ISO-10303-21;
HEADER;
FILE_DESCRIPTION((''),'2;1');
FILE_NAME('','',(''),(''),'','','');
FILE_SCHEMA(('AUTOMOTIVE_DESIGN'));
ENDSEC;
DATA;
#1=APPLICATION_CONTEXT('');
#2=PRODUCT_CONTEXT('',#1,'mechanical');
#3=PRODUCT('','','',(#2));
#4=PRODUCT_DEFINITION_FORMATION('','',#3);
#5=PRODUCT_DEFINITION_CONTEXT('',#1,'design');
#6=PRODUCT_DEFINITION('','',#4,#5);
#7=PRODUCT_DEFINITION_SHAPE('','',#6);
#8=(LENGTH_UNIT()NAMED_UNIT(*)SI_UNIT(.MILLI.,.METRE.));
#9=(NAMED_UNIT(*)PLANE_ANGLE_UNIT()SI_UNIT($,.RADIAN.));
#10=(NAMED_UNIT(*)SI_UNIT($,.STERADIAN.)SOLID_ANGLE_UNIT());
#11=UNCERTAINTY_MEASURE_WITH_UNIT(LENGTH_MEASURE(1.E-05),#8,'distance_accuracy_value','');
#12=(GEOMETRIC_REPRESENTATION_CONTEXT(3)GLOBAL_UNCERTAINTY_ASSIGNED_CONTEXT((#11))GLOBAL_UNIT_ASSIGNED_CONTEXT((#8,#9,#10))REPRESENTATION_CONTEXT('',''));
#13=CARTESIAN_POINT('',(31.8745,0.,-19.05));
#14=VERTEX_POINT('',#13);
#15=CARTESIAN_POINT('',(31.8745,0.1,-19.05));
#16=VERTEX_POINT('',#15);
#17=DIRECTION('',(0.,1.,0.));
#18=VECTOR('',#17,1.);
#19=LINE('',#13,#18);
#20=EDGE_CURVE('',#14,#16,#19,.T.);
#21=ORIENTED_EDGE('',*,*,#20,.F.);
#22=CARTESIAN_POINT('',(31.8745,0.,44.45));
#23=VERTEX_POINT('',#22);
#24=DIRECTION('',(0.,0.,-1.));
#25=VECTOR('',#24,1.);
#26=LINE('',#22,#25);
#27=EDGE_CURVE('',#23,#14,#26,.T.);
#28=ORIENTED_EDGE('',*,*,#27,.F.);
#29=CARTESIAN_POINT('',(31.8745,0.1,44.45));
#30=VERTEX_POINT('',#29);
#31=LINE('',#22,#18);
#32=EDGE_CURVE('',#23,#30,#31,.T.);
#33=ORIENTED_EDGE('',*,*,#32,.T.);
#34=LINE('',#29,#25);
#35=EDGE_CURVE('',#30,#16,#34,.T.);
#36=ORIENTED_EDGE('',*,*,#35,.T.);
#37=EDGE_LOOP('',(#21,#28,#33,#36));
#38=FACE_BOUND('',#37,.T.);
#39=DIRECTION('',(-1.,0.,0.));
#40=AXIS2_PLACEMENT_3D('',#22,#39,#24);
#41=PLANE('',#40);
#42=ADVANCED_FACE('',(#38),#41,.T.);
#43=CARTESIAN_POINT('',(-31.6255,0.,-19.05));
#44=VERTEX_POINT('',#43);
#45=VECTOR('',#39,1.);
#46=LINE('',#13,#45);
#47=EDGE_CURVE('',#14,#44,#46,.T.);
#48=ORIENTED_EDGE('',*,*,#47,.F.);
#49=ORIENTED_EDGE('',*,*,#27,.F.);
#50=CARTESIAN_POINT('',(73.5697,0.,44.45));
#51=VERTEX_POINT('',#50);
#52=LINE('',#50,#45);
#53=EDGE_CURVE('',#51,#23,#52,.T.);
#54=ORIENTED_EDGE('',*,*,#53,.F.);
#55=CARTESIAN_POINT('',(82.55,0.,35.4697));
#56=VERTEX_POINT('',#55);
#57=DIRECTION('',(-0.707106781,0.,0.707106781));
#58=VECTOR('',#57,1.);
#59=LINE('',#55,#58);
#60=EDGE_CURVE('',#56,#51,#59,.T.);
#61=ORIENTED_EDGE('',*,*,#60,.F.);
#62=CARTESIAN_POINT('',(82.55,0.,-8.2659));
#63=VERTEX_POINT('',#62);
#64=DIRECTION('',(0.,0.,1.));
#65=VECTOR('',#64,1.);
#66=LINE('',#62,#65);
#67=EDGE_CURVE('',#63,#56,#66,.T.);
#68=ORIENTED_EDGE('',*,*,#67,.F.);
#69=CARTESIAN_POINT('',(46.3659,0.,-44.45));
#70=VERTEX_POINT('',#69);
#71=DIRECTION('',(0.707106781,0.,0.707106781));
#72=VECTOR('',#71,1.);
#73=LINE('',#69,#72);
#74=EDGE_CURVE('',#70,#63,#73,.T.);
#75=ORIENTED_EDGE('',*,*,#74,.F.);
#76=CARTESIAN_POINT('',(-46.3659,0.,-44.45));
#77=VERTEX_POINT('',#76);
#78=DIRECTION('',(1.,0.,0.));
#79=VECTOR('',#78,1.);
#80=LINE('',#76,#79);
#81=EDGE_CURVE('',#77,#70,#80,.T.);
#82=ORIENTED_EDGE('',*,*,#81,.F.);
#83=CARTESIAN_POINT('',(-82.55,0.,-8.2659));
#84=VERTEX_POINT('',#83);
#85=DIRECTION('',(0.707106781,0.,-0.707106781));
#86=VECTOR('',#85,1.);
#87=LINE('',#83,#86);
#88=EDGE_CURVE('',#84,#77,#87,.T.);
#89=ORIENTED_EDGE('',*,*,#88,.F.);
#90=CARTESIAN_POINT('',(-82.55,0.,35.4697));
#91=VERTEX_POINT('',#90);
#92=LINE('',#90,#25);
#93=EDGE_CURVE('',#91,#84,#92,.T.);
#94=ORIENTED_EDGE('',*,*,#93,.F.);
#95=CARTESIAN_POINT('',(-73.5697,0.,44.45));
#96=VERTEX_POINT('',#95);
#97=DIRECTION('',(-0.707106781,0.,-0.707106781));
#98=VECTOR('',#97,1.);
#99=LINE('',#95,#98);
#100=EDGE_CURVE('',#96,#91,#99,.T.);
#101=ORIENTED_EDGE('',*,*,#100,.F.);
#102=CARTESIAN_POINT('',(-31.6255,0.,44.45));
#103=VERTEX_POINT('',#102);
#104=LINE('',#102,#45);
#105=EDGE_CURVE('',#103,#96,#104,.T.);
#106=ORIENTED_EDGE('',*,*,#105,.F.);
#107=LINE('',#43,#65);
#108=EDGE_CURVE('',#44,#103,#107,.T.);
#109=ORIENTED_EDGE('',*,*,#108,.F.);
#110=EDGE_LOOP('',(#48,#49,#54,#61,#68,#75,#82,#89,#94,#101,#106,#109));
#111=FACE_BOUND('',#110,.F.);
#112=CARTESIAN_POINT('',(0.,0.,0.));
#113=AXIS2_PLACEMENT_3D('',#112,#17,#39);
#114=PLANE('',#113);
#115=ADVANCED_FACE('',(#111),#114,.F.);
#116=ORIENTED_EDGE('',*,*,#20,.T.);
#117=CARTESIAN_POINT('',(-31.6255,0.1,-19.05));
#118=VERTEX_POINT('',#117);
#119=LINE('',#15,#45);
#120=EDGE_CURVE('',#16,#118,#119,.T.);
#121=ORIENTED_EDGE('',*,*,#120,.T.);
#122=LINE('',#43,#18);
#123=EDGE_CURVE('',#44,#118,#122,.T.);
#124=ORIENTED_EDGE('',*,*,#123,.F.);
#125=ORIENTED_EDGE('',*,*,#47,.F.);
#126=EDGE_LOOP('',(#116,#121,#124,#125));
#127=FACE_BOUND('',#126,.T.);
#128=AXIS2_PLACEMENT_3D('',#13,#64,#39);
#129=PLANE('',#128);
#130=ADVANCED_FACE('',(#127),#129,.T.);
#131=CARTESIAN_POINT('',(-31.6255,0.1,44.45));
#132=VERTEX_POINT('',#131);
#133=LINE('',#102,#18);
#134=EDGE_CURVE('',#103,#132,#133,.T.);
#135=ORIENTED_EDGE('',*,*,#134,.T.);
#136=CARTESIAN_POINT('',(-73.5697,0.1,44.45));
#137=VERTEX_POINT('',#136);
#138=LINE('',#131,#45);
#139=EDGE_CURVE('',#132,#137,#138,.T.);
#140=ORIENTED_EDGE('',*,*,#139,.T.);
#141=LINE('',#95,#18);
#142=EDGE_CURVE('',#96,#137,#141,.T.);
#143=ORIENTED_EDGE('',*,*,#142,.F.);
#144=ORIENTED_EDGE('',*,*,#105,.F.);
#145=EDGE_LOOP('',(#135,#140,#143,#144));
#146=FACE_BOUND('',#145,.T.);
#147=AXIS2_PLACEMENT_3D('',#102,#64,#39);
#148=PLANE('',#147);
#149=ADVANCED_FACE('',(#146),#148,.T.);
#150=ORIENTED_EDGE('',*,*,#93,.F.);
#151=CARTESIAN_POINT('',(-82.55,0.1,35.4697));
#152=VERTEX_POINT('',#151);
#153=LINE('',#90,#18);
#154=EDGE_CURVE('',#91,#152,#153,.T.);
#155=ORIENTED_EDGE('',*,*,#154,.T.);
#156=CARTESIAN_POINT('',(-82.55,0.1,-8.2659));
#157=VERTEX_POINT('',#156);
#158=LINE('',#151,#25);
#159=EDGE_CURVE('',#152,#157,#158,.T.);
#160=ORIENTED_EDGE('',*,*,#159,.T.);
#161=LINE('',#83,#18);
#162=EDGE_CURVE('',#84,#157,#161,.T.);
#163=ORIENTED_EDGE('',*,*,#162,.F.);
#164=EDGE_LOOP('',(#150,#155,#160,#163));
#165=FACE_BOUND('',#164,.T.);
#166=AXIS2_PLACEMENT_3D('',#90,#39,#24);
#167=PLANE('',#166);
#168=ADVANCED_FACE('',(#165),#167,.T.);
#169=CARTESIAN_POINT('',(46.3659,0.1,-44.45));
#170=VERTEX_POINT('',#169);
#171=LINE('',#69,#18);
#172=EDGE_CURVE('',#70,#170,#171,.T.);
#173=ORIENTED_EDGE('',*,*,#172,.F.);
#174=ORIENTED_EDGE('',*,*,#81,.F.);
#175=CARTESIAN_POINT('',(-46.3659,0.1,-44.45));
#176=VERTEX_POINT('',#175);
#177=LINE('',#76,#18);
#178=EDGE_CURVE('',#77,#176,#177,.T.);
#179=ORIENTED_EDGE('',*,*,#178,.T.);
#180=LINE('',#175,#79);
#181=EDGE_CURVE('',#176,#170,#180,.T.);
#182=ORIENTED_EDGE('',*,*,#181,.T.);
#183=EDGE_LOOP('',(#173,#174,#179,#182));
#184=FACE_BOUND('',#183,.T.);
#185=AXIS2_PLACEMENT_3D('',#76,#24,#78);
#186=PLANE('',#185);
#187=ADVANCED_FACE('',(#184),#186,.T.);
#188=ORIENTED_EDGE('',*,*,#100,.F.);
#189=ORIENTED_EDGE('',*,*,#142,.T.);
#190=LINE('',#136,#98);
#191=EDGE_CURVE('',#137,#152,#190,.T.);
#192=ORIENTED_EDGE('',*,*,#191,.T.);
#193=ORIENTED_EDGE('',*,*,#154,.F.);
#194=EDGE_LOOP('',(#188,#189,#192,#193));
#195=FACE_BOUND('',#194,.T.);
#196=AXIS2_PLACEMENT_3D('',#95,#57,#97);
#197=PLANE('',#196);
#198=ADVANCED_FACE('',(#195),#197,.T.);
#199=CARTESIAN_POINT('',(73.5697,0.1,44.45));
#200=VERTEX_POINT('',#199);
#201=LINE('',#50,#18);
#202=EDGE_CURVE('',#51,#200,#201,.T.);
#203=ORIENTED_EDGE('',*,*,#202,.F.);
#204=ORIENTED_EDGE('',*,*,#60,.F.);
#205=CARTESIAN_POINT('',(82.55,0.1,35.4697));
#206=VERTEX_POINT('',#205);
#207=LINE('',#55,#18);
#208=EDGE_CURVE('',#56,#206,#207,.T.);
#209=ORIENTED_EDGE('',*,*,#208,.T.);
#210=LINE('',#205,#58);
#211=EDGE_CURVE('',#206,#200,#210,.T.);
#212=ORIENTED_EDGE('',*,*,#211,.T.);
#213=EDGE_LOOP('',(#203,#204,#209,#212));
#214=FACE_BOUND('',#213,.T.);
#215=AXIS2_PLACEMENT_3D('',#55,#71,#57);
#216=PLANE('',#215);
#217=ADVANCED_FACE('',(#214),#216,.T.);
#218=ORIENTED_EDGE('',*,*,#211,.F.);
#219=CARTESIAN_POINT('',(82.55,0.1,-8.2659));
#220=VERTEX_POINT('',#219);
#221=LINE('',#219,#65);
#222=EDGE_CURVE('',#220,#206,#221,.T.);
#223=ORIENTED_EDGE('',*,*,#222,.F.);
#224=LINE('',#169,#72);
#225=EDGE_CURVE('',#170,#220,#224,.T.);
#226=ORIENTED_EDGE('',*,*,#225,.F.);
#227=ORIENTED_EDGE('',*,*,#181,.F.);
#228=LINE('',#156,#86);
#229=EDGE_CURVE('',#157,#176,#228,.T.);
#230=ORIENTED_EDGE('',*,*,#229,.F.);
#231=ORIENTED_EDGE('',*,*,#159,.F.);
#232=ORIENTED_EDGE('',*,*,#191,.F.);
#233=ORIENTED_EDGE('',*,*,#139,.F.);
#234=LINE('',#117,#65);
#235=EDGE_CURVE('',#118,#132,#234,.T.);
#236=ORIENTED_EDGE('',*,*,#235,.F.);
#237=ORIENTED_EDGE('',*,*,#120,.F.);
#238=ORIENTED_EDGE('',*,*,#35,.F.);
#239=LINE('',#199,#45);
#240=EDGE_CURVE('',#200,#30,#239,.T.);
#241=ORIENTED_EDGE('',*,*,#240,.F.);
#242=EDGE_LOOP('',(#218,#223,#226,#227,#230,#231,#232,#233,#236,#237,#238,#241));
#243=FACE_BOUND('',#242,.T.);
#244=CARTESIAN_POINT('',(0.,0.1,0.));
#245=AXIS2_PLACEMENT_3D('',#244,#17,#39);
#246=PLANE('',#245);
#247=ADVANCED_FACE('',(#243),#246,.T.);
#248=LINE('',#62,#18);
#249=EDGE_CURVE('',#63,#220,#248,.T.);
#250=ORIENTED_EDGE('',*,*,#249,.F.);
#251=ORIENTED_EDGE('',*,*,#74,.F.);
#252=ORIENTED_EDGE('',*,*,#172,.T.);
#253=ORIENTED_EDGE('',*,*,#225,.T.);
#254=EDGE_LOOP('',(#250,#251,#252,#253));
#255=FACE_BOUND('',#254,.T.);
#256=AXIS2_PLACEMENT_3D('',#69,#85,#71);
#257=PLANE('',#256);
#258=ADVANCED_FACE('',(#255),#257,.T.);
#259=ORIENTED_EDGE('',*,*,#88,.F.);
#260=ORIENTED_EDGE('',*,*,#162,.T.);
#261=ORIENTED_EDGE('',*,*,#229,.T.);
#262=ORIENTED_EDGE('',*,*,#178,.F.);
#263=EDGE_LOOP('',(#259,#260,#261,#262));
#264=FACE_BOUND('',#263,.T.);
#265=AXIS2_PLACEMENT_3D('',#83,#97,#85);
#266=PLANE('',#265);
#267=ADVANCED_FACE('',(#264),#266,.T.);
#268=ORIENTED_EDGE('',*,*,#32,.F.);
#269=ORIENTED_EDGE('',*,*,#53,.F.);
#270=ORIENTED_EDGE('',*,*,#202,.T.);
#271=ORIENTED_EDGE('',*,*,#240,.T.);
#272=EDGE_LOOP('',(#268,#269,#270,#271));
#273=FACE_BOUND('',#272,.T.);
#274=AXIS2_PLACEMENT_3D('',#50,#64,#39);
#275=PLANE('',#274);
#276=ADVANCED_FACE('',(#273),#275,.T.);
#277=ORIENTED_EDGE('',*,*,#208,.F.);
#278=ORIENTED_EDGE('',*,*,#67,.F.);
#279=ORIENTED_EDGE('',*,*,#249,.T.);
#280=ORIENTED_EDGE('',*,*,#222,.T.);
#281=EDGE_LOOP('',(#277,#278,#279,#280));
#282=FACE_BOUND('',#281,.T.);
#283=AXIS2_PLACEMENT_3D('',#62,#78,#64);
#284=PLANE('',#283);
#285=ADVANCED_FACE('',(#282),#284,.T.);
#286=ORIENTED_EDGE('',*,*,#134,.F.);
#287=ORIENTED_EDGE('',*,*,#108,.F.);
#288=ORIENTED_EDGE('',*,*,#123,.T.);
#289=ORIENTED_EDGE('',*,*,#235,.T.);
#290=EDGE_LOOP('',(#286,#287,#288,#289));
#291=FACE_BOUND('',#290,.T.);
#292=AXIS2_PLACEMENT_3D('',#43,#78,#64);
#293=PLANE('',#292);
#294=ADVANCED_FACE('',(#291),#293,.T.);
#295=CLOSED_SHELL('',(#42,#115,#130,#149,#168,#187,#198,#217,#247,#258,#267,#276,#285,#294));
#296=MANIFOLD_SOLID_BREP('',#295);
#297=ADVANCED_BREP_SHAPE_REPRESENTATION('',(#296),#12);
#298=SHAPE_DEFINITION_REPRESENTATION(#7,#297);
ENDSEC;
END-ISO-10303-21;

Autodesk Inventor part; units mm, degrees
ref_plane "YZ Plane" through (0, 0, 0) normal (1, 0, 0) x (0, 1, 0)
ref_plane "XZ Plane" through (0, 0, 0) normal (0, 1, 0) x (-1, 0, 0)
ref_plane "XY Plane" through (0, 0, 0) normal (0, 0, 1) x (1, 0, 0)
sketch "Sketch1" plane through (0, 0, 0) normal (0, 1, 0) x (-1, 0, 0)
  line L0 (25.2755, 50.8) -> (25.2755, -12.7)
  line L1 (25.2755, -12.7) -> (-25.5245, -12.7)
  line L2 (-25.5245, -12.7) -> (-25.5245, 50.8)
  line L3 (-25.5245, 50.8) -> (-76.2, 50.8)
  line L4 (-76.2, 50.8) -> (-88.9, 38.1)
  line L5 (-88.9, 38.1) -> (-88.9, -10.8962)
  line L6 (-88.9, -10.8962) -> (-48.9962, -50.8)
  line L7 (-48.9962, -50.8) -> (48.9962, -50.8)
  line L8 (48.9962, -50.8) -> (88.9, -10.8962)
  line L9 (88.9, -10.8962) -> (88.9, 38.1)
  line L10 (88.9, 38.1) -> (76.2, 50.8)
  line L11 (76.2, 50.8) -> (25.2755, 50.8)
  line L12 (82.55, -8.2659) -> (46.3659, -44.45)
  line L13 (46.3659, -44.45) -> (-46.3659, -44.45)
  line L14 (-46.3659, -44.45) -> (-82.55, -8.2659)
  line L15 (-82.55, -8.2659) -> (-82.55, 35.4697)
  line L16 (-82.55, 35.4697) -> (-73.5697, 44.45)
  line L17 (-73.5697, 44.45) -> (-31.8745, 44.45)
  line L18 (-31.8745, 44.45) -> (-31.8745, -19.05)
  line L19 (-31.8745, -19.05) -> (31.6255, -19.05)
  line L20 (31.6255, -19.05) -> (31.6255, 44.45)
  line L21 (31.6255, 44.45) -> (73.5697, 44.45)
  line L22 (73.5697, 44.45) -> (82.55, 35.4697)
  line L23 (82.55, 35.4697) -> (82.55, -8.2659)
  point P0 (0, 0)
  point P1 (82.55, -8.2659)
extrude "Extrusion1" add sketch "Sketch1" along normal blind 0.1 contours L12 L13 L14 L15 L16 L17 L18 L19 L20 L21 L22 L23
properties part number "grip_tape"
